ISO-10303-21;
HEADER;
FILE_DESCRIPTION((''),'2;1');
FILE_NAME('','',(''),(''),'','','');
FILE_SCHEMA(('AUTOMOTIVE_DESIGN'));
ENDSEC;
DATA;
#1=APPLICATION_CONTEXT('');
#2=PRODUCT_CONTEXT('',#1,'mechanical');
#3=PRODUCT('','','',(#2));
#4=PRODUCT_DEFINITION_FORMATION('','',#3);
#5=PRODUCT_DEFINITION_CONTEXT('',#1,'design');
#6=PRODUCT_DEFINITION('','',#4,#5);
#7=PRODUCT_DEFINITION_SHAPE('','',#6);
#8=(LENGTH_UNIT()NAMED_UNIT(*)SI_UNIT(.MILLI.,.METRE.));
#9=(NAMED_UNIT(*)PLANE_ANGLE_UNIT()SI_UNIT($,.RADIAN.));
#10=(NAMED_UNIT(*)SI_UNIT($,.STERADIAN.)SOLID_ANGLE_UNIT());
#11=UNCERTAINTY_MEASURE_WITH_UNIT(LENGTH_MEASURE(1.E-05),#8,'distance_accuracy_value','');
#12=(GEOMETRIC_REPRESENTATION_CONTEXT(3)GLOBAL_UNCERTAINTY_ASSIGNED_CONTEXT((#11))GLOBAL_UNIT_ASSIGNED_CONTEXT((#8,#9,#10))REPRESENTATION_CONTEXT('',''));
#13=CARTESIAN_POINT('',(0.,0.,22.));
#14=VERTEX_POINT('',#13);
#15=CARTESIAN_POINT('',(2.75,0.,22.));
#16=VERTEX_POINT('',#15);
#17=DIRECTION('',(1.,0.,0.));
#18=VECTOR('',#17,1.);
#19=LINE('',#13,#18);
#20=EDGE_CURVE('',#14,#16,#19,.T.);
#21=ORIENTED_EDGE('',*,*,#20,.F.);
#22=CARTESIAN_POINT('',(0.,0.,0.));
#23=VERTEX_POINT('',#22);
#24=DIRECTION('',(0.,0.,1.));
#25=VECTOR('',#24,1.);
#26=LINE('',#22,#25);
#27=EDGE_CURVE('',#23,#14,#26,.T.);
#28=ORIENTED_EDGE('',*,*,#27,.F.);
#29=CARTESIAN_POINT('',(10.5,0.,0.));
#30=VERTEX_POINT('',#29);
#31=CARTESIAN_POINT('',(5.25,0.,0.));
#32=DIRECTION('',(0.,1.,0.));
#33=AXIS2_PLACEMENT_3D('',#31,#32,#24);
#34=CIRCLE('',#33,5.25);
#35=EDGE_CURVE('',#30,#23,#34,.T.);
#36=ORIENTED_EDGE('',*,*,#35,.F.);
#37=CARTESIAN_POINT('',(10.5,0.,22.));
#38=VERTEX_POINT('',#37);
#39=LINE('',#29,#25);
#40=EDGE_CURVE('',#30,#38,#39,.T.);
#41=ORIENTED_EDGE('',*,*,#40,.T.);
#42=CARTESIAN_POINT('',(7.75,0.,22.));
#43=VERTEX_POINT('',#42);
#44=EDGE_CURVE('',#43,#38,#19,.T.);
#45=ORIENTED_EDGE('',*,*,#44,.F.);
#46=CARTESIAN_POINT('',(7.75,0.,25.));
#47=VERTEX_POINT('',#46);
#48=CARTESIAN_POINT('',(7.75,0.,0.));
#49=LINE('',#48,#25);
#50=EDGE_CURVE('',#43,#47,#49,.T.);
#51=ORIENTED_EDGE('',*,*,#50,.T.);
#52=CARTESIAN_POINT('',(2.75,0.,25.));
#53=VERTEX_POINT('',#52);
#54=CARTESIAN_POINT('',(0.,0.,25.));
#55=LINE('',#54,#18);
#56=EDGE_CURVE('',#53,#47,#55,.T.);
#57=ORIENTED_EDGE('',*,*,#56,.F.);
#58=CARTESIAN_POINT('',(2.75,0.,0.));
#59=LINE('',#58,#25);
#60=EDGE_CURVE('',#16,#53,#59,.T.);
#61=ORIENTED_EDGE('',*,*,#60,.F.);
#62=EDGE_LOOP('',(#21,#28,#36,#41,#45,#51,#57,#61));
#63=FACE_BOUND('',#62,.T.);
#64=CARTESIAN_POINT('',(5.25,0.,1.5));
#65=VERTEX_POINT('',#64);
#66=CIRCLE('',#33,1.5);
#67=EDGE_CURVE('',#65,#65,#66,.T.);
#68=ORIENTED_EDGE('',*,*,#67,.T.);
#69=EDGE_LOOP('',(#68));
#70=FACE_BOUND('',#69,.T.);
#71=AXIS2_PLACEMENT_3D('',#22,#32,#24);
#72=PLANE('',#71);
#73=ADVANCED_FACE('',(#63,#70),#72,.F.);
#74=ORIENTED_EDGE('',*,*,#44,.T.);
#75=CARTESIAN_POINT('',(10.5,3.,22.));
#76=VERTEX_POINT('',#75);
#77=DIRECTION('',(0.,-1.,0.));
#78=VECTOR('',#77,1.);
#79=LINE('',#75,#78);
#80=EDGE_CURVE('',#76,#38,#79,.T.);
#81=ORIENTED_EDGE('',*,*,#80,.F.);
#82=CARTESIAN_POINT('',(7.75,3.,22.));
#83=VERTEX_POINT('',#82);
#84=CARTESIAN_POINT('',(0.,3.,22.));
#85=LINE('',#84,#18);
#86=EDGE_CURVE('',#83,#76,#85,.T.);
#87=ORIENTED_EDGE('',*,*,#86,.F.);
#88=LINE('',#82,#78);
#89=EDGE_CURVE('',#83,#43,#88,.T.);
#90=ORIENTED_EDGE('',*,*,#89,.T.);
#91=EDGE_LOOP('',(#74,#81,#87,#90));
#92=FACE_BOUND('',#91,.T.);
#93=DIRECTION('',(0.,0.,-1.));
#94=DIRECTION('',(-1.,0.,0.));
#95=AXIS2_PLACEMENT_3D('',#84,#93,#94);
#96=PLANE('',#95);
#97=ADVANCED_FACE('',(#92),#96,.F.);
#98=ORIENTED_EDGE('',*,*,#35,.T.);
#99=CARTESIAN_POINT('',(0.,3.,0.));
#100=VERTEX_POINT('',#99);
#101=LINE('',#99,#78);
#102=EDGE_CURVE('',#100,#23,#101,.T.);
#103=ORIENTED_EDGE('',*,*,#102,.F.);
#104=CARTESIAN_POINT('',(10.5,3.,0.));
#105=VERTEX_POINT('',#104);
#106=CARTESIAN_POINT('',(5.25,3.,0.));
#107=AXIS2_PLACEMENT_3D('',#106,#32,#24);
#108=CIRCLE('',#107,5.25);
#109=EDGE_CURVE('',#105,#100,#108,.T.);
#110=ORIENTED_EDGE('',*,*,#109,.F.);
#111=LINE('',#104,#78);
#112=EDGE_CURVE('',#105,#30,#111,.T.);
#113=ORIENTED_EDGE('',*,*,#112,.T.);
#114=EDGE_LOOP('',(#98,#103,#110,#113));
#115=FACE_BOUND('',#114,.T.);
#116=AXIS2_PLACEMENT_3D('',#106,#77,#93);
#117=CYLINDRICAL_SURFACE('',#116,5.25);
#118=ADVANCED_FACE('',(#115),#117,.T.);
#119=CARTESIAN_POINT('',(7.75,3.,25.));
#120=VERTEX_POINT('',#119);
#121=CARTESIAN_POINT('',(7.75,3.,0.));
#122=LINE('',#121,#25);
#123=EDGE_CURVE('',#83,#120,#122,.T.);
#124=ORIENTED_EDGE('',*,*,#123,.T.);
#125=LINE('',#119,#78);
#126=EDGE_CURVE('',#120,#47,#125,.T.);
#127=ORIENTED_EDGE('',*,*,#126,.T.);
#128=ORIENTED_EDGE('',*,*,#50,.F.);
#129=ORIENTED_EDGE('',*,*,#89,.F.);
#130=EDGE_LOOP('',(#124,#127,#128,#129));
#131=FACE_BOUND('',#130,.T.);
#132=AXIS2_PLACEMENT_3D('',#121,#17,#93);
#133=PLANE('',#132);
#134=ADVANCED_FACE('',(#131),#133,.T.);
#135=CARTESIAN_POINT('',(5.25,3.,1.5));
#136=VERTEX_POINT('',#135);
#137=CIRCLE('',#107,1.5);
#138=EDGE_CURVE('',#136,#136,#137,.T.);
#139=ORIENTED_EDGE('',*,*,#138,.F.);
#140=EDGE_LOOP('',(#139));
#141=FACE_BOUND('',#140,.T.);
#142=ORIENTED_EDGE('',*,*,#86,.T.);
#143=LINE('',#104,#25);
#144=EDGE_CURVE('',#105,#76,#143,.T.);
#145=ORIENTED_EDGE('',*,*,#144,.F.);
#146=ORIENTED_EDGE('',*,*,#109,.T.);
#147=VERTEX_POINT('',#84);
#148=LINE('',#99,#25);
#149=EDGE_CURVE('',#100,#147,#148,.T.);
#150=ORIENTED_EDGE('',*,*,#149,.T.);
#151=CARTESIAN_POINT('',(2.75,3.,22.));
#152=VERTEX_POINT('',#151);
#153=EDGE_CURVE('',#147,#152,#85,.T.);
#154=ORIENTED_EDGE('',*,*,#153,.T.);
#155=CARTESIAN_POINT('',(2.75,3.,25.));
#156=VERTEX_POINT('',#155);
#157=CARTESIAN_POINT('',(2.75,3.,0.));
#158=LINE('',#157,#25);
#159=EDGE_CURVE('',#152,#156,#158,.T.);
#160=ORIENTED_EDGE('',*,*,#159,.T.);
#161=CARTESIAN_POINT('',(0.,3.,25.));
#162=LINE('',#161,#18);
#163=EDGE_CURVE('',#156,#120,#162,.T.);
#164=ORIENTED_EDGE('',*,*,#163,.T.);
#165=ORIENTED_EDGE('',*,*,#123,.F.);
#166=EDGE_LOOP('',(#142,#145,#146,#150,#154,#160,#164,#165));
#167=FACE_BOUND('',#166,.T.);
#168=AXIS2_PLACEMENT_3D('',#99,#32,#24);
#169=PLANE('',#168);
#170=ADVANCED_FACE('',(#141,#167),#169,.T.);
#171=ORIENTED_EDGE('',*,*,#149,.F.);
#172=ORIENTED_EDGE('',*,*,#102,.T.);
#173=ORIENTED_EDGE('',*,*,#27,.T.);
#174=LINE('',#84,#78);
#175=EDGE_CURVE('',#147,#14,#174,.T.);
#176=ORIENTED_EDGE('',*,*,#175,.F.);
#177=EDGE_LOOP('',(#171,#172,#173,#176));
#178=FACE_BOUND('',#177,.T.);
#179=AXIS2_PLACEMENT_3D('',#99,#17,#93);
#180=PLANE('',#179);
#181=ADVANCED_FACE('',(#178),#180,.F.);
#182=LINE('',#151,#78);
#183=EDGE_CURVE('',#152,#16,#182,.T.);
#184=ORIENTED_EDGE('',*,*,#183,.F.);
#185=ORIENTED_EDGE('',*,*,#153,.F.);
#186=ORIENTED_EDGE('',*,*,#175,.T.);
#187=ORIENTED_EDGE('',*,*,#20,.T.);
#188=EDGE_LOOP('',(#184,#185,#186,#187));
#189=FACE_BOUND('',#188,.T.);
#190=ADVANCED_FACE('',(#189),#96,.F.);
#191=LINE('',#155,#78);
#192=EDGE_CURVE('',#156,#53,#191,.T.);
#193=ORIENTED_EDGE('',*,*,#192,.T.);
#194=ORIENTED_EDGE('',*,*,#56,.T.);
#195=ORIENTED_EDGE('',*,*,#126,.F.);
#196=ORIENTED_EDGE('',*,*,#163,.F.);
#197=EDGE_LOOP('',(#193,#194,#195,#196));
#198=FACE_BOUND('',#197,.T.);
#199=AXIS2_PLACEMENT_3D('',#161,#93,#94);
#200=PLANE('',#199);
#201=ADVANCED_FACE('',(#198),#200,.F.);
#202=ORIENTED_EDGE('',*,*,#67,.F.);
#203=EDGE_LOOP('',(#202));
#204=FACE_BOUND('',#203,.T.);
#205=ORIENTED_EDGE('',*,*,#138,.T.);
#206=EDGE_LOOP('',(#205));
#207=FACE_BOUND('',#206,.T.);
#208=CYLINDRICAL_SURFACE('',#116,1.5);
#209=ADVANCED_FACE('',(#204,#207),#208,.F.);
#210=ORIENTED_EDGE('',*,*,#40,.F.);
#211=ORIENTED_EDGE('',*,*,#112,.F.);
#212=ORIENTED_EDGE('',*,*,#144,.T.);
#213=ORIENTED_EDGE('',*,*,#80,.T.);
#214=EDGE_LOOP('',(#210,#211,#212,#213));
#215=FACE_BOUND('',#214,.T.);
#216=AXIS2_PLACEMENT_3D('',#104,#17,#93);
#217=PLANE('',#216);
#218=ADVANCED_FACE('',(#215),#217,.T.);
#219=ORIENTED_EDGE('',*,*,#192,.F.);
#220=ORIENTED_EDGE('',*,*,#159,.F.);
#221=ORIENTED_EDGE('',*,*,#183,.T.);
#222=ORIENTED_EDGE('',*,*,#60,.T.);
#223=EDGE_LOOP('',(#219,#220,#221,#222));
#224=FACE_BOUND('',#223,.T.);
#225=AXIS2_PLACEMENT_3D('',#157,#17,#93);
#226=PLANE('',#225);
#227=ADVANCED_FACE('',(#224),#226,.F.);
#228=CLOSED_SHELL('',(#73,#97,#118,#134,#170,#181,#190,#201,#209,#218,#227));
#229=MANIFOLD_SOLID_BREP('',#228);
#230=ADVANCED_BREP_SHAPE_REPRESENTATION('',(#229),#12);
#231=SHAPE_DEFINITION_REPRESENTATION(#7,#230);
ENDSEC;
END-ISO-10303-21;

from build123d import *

# Parameters (mm, degrees)
SKETCH_1_W      = 5
SKETCH_1_H      = 3
EXTRUDE_1_DEPTH = 3


with BuildPart() as part:
    # 草图1 → 凸台-拉伸1 (new body)
    with BuildSketch(Plane(origin=(0, 0, 0), x_dir=(1, 0, 0), z_dir=(0, 1, 0))):
        with BuildLine():
            Line((10.5, -22), (10.5, 0))
            ThreePointArc((10.5, 0), (5.25, -5.25), (0, 0))
            Line((0, 0), (0, -22))
            Line((0, -22), (2.75, -22))
            Line((2.75, -22), (7.75, -22))
            Line((7.75, -22), (10.5, -22))
        make_face()
        with Locations((5.25, -23.5)):
            Rectangle(SKETCH_1_W, SKETCH_1_H)
        with BuildLine():
            ThreePointArc((3.75, 0), (5.25, 1.5), (6.75, 0))
            Line((6.75, 0), (10.5, 0))
            ThreePointArc((10.5, 0), (5.25, 5.25), (0, 0))
            Line((0, 0), (3.75, 0))
        make_face()
        with BuildLine():
            Line((10.5, 0), (6.75, 0))
            ThreePointArc((6.75, 0), (5.25, -1.5), (3.75, 0))
            Line((3.75, 0), (0, 0))
            ThreePointArc((0, 0), (5.25, -5.25), (10.5, 0))
        make_face()
    extrude(amount=EXTRUDE_1_DEPTH)


solid = part.part
